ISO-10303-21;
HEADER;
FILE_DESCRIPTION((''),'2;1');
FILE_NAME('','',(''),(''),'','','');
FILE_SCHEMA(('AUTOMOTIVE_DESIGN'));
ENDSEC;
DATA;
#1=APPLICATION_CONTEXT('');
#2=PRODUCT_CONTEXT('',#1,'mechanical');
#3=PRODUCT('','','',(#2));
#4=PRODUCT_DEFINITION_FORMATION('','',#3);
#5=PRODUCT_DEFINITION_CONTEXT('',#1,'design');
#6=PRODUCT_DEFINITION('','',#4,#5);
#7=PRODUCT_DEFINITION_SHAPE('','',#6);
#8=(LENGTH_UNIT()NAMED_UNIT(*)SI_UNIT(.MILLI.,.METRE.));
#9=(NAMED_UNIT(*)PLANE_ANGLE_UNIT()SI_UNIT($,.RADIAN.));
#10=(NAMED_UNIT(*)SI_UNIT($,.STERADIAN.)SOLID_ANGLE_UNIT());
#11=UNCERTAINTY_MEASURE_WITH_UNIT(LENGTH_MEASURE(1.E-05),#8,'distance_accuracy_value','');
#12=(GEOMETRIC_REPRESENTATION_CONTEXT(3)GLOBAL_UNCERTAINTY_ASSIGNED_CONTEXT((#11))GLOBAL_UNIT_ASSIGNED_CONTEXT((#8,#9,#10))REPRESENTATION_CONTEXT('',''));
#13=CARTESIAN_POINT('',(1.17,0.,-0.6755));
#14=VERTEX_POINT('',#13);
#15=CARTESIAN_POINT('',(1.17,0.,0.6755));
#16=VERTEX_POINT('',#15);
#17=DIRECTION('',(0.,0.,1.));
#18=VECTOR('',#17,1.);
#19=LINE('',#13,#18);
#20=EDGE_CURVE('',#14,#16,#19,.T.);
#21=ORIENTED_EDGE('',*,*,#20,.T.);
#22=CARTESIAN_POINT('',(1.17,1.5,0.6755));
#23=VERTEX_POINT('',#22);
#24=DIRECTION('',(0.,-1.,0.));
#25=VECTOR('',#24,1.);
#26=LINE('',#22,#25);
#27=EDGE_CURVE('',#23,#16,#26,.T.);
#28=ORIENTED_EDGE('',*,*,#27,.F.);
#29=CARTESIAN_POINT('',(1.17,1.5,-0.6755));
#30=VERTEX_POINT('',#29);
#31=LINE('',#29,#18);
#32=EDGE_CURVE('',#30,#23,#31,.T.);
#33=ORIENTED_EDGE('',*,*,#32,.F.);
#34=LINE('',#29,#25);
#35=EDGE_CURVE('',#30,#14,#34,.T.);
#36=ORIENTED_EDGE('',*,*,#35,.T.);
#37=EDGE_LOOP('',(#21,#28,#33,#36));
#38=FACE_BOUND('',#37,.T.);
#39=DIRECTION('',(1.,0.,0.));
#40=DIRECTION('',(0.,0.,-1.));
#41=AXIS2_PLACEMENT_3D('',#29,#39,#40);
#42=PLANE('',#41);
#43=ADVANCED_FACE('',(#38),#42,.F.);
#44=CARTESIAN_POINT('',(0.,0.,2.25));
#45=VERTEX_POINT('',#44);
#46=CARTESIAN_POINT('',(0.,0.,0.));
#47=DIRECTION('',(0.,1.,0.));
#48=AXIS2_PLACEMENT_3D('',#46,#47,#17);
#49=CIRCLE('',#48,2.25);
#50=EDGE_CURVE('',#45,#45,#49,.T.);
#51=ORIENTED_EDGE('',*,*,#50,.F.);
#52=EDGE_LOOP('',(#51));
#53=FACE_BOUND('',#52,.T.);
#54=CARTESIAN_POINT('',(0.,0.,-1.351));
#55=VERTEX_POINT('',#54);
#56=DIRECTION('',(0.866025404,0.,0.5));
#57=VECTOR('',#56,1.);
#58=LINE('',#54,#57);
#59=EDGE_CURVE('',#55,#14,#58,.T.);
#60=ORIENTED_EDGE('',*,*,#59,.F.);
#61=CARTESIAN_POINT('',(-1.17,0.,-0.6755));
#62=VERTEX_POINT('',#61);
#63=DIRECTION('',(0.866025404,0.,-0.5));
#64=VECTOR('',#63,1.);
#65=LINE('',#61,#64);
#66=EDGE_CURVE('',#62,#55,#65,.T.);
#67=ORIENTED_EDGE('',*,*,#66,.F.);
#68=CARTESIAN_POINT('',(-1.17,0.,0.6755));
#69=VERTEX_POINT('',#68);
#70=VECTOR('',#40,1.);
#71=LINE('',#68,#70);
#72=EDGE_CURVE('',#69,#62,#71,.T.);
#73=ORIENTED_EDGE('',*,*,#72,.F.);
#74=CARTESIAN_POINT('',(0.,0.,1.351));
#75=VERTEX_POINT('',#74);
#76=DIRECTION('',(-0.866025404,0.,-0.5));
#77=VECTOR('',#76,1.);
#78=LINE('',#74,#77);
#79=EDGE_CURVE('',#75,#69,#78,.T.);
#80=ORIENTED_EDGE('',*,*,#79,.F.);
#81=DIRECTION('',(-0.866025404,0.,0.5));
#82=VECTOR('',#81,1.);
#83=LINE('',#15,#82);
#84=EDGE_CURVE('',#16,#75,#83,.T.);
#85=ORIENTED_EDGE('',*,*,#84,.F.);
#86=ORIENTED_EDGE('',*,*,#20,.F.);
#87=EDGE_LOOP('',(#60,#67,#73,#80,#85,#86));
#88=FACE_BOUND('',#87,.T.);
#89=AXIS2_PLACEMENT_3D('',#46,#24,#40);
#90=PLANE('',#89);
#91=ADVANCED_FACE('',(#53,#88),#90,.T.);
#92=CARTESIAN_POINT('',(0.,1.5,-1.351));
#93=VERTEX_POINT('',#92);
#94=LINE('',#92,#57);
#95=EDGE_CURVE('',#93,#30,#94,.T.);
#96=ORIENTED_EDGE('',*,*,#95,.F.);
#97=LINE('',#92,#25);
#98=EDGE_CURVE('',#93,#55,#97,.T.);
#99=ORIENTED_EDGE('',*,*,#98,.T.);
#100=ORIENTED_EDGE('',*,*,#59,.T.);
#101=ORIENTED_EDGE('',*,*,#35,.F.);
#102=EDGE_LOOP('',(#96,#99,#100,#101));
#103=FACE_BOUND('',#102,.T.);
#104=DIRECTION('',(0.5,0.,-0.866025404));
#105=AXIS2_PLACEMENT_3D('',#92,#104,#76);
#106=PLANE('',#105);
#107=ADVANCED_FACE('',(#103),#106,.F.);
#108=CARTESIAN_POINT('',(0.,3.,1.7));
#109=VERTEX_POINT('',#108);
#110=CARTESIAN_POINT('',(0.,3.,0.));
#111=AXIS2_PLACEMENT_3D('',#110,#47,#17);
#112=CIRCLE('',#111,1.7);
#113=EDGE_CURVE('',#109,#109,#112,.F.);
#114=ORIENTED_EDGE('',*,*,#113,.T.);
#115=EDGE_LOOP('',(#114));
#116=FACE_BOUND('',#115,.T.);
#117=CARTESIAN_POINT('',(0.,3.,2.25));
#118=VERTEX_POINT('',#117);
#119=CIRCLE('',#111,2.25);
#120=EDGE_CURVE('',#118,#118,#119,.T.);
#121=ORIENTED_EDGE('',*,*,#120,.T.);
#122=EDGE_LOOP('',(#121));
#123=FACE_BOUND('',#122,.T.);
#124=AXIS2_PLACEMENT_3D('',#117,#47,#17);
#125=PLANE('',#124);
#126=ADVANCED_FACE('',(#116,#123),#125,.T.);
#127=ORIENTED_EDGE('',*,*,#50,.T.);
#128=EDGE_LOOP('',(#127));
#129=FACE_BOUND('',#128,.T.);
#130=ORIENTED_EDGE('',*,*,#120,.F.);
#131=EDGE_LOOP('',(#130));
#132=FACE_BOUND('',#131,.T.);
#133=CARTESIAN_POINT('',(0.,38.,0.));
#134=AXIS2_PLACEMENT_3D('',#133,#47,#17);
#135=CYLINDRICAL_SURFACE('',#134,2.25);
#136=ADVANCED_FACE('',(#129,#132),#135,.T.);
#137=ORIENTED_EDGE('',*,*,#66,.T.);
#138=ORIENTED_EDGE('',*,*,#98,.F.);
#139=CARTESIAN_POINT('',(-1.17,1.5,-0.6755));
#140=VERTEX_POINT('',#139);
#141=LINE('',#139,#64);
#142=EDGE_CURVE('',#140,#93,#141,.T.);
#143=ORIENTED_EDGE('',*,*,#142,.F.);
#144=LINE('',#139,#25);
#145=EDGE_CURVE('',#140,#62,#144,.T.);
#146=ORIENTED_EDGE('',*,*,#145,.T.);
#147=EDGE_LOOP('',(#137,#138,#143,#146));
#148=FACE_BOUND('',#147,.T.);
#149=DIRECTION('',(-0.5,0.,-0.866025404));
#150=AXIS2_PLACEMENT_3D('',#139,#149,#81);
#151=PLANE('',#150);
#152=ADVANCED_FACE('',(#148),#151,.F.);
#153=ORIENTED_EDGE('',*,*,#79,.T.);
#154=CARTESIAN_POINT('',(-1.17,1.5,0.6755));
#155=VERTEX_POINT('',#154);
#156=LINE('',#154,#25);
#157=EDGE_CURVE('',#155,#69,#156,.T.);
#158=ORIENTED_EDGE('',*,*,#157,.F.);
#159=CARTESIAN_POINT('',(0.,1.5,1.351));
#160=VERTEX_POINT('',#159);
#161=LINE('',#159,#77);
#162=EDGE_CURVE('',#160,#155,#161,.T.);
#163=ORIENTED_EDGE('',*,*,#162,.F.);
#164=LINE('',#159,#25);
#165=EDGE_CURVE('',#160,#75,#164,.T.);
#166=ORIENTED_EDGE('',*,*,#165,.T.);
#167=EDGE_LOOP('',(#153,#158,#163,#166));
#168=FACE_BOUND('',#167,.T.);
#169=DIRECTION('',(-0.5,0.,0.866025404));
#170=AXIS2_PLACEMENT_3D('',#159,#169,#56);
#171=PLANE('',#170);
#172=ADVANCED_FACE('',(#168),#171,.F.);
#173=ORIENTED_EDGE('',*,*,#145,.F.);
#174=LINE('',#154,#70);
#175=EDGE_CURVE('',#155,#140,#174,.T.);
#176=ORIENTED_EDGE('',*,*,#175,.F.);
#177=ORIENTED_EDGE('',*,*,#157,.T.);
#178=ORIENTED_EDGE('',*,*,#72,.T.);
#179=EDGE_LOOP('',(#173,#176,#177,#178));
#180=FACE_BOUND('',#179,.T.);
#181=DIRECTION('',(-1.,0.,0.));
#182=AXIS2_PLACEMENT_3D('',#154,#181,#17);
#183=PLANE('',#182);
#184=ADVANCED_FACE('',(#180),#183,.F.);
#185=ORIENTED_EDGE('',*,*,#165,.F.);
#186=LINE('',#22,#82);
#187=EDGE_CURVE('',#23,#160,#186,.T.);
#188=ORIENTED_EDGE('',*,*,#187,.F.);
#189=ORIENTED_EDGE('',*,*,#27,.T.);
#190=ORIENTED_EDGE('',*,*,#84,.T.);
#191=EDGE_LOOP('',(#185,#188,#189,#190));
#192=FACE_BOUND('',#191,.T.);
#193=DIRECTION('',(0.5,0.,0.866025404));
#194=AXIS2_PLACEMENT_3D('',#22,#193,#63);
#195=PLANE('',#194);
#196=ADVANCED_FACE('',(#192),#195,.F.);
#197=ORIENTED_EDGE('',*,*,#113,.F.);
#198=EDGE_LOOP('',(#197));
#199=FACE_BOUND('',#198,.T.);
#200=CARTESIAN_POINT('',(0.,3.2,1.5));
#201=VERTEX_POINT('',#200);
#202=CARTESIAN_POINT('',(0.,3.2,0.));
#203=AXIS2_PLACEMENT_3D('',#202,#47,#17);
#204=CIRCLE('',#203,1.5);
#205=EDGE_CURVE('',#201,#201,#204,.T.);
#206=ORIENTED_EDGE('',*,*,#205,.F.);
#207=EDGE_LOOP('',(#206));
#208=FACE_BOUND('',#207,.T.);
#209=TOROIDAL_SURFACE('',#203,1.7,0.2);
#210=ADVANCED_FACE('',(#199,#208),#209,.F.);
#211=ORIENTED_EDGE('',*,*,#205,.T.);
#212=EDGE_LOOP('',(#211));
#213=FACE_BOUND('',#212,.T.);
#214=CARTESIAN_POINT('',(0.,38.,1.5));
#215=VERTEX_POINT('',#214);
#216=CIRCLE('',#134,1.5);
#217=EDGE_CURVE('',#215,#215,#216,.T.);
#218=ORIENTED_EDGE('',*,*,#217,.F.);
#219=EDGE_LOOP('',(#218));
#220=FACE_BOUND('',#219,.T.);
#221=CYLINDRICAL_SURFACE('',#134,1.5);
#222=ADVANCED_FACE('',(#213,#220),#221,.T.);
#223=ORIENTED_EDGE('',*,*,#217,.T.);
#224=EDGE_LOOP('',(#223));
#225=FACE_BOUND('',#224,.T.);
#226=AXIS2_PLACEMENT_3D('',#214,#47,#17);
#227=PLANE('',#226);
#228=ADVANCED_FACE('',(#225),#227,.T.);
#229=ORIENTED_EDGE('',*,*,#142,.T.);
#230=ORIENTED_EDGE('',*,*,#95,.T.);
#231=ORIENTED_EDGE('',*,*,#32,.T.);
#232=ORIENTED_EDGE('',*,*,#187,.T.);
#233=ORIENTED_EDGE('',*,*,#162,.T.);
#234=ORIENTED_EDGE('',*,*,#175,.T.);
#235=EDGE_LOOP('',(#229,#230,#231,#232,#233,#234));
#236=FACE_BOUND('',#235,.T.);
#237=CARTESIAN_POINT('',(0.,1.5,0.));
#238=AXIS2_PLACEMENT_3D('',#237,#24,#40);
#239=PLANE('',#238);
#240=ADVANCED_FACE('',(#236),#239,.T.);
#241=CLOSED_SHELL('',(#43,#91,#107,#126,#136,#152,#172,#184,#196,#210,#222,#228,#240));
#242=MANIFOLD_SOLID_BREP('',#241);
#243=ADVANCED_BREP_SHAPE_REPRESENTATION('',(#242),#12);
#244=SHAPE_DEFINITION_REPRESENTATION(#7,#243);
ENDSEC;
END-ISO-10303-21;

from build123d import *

# Parameters (mm, degrees)
FILLET_1_R          = 0.2
CUT_EXTRUDE_1_DEPTH = 1.5


with BuildPart() as part:
    # 草图1 → 旋转1 (revolve)
    with BuildSketch(Plane(origin=(0, 0, 0), x_dir=(0, 0, -1), z_dir=(1, 0, 0))):
        Polygon((0, 0), (-2.25, 0), (-2.25, 3), (-1.5, 3), (-1.5, 38), (0, 38), align=None)
    revolve(axis=Axis((0, 38, 0), (0, -1, 0)))

    # 圆角1
    fillet_1_edges = [part.edges().sort_by_distance(p)[0] for p in [
        (0, 3, -1.5),
    ]]
    fillet(fillet_1_edges, radius=FILLET_1_R)

    # 草图2 → 切除-拉伸1 (cut)
    with BuildSketch(Plane.XZ):
        Polygon((0, 1.35099963), (-1.17, 0.675499815), (-1.17, -0.675499815), (0, -1.35099963), (1.17, -0.675499815), (1.17, 0.675499815), align=None)
    extrude(amount=-CUT_EXTRUDE_1_DEPTH, mode=Mode.SUBTRACT)


solid = part.part
